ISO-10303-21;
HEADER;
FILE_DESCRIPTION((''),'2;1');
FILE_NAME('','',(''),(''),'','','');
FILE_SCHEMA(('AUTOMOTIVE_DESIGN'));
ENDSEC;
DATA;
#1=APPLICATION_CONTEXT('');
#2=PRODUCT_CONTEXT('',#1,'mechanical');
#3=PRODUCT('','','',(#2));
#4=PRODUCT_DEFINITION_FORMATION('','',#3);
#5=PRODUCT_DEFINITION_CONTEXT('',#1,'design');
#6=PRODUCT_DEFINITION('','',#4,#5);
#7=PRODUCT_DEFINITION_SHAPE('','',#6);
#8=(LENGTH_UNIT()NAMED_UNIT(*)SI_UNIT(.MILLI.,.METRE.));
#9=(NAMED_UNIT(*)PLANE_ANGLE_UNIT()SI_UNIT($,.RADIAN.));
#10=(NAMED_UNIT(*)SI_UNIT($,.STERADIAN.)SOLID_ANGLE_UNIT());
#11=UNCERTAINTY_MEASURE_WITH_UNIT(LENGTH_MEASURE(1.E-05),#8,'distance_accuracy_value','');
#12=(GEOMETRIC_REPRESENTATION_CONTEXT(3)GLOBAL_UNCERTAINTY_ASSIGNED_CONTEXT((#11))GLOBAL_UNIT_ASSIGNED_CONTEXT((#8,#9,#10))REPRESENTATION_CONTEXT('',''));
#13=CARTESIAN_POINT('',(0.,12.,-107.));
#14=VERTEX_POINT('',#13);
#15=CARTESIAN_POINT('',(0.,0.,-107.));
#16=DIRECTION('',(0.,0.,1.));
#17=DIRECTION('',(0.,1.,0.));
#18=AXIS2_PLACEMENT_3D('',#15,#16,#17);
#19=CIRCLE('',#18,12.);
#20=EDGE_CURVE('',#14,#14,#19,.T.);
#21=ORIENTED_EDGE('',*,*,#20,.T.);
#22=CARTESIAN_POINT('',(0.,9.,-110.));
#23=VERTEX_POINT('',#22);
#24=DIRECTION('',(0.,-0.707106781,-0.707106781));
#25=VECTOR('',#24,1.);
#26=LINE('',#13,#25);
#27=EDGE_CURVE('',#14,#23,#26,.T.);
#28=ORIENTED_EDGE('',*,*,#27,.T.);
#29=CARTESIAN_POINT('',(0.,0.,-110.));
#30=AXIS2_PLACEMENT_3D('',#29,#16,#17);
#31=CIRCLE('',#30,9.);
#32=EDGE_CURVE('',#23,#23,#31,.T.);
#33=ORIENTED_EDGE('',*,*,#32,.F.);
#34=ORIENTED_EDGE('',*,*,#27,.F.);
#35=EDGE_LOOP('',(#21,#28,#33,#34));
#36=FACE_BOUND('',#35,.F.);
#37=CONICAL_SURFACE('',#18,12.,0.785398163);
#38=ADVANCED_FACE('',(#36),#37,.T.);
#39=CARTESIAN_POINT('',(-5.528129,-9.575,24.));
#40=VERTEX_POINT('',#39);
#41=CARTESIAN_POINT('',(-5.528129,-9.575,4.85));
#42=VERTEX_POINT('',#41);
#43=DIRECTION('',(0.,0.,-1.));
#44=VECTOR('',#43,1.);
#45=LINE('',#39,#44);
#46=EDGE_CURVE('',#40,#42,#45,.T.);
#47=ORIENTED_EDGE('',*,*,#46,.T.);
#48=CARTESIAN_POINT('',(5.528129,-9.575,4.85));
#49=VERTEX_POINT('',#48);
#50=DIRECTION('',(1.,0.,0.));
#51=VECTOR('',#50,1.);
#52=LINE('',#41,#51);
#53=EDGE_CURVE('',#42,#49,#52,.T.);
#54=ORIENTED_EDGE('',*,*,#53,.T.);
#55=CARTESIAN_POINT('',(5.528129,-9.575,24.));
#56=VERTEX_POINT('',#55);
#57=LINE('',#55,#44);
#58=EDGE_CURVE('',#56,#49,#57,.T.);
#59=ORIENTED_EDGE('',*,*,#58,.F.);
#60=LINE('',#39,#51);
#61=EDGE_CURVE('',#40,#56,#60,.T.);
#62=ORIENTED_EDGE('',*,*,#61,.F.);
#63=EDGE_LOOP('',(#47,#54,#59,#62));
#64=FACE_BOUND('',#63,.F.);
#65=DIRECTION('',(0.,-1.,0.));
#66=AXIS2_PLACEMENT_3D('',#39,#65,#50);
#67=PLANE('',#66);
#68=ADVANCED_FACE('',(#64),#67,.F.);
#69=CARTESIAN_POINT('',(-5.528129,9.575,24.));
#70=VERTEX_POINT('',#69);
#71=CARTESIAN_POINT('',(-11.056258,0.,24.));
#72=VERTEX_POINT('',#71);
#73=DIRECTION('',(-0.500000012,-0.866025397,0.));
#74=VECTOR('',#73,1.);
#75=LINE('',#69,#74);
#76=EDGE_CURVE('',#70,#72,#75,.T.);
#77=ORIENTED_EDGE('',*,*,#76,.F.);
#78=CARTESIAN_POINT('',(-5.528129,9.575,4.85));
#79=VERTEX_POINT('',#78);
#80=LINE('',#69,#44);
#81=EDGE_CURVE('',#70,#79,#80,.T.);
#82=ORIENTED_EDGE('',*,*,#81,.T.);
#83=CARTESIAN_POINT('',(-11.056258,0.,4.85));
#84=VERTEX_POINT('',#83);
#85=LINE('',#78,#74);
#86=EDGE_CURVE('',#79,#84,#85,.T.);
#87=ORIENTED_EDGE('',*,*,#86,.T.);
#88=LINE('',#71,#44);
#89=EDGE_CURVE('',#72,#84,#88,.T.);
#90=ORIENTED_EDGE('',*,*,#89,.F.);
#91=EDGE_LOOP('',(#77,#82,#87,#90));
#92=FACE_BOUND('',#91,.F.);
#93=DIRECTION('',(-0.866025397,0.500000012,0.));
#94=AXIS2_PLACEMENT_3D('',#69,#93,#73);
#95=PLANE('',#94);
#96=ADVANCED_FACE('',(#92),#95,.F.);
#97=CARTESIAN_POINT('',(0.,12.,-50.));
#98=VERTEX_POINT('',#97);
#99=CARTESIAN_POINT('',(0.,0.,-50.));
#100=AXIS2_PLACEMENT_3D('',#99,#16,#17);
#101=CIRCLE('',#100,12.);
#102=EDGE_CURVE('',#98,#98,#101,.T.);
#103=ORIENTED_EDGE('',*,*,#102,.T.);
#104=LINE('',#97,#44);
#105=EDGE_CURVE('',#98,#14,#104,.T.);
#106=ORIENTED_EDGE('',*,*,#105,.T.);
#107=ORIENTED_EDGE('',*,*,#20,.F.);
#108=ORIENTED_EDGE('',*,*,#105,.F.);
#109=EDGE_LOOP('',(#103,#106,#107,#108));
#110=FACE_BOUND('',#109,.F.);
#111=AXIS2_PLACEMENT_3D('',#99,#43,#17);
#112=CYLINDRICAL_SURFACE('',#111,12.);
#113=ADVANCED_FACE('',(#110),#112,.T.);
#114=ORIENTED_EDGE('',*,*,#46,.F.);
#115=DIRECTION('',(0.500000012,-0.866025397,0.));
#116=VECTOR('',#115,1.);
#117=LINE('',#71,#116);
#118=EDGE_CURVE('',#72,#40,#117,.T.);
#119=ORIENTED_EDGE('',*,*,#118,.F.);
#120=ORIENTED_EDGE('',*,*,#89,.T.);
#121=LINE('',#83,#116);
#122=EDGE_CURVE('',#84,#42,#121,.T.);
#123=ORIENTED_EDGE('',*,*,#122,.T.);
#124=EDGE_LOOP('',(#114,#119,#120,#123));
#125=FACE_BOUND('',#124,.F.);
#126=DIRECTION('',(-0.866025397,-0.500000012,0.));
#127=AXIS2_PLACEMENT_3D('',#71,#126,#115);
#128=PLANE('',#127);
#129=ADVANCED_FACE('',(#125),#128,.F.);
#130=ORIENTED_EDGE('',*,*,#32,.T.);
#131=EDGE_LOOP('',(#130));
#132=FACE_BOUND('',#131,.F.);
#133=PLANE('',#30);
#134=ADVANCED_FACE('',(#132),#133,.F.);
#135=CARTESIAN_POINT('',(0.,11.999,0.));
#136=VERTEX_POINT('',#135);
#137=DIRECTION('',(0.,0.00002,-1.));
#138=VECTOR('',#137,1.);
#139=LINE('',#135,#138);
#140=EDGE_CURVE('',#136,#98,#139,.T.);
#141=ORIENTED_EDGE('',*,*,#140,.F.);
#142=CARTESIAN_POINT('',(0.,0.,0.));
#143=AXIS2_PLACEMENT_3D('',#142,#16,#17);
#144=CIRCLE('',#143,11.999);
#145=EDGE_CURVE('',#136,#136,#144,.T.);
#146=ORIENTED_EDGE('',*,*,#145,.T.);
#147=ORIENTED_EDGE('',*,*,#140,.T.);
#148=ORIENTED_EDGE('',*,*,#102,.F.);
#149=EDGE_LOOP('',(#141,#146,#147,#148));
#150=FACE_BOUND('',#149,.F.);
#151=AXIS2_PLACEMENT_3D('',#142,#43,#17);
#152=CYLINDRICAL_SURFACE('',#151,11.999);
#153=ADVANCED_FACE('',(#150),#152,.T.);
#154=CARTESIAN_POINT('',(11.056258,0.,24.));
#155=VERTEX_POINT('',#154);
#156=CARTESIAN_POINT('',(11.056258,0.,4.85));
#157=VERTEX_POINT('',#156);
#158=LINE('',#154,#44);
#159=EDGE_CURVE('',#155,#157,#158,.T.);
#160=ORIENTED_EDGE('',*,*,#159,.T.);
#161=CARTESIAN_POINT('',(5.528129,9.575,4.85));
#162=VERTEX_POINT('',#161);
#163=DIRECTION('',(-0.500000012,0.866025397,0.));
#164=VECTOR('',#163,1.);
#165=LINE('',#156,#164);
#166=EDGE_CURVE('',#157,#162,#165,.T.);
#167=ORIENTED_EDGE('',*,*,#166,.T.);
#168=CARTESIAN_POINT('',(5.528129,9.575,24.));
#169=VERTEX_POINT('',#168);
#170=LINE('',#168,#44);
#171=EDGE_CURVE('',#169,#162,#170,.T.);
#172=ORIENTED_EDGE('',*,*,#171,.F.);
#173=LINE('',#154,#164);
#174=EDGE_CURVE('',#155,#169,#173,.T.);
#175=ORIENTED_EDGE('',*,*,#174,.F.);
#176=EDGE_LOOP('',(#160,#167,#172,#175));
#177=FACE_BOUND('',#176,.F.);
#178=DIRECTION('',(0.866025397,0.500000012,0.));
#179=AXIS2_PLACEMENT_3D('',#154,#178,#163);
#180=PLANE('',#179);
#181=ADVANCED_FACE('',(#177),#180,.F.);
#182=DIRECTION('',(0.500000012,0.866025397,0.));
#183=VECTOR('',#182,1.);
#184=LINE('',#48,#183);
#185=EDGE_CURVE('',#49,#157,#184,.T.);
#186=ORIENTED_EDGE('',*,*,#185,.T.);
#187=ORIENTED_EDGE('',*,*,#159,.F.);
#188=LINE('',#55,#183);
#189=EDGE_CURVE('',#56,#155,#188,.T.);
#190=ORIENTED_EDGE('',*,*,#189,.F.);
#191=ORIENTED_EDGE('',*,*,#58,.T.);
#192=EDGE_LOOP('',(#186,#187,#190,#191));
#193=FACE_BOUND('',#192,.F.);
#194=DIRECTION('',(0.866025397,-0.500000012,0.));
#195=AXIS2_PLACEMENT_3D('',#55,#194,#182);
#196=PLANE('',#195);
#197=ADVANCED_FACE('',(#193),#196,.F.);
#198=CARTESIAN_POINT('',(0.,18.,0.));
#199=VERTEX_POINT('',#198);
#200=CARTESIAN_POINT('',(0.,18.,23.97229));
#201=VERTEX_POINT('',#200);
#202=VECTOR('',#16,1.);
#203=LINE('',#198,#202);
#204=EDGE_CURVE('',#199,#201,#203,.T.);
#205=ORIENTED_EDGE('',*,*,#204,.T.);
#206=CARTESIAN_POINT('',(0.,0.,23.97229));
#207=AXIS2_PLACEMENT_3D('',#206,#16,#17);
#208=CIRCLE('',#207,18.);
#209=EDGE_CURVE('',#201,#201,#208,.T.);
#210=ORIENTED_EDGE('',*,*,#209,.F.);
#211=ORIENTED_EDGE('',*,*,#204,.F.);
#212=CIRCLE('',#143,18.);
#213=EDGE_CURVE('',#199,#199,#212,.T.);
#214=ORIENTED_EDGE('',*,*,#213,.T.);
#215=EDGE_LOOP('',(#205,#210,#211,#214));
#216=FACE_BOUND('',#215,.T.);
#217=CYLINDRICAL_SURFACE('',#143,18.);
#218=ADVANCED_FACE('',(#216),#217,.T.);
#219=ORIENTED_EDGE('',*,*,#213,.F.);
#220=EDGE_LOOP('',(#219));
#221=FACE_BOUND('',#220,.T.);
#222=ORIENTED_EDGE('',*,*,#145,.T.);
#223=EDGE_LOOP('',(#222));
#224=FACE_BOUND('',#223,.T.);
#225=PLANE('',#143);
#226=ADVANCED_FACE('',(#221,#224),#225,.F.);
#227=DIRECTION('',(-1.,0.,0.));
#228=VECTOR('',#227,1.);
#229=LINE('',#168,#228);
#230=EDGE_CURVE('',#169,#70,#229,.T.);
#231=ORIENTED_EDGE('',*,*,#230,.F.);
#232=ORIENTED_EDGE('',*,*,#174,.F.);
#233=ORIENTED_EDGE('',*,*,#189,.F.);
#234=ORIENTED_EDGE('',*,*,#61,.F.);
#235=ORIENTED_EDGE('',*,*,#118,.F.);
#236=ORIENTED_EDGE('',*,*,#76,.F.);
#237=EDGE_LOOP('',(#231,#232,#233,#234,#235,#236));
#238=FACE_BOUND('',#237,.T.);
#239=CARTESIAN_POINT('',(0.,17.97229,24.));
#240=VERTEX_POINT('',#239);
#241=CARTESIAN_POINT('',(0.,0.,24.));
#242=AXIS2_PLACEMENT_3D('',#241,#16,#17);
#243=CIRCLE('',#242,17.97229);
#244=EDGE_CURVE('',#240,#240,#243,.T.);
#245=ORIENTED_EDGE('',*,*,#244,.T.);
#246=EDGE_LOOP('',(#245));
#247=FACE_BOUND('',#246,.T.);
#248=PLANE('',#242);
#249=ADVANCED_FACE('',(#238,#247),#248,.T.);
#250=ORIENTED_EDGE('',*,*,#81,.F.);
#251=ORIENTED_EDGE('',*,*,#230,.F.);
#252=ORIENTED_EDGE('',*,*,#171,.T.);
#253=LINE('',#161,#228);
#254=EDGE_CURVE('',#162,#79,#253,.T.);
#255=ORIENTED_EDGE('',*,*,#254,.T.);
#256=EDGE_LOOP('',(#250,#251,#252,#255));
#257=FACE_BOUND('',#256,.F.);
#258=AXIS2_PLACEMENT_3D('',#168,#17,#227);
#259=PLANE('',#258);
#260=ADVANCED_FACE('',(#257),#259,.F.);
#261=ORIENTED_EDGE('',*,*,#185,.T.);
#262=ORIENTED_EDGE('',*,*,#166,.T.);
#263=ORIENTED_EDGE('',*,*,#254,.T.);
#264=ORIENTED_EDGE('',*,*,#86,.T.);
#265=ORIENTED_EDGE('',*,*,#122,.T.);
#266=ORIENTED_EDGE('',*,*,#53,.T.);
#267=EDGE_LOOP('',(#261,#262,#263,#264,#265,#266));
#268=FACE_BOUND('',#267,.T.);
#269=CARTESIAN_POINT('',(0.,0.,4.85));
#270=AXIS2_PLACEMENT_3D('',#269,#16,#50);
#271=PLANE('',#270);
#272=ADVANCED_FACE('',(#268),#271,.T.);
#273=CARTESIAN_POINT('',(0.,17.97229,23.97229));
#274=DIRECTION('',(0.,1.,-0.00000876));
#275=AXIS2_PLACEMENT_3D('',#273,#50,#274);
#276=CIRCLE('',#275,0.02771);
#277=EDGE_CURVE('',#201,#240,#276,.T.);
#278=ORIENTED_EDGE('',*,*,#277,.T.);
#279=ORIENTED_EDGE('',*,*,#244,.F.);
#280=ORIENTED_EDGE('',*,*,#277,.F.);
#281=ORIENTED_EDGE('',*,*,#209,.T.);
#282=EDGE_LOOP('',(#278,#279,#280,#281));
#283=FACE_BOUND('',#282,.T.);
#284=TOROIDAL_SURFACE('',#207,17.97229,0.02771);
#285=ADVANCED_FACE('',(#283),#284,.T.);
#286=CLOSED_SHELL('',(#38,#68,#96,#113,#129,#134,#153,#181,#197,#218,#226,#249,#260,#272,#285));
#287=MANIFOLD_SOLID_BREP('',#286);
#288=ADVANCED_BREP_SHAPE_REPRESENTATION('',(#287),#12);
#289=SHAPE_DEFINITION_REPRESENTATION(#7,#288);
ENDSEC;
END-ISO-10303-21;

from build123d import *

# Parameters (mm, degrees)
POCKET_DEPTH = 19.15


with BuildPart() as part:
    # Sketch → Revolve (revolve)
    with BuildSketch(Plane.YZ):
        with BuildLine():
            Line((11.999, 0), (18, 0))
            Line((18, 0), (18, 23.97229))
            ThreePointArc((18, 23.97229), (17.991884, 23.991884), (17.97229, 24))
            Line((17.97229, 24), (0, 24))
            Line((0, -110), (0, 24))
            Line((9, -110), (0, -110))
            Line((12, -107), (9, -110))
            Line((12, -50), (12, -107))
            Line((11.999, 0), (12, -50))
        make_face()
    revolve(axis=Axis((0, 0, 0), (0, 0, 1)))

    # Sketch001 → Pocket (cut)
    with BuildSketch(Plane.XY.offset(24)):
        Polygon((11.056258, 0), (5.528129, 9.575), (-5.528129, 9.575), (-11.056258, 0), (-5.528129, -9.575), (5.528129, -9.575), align=None)
    extrude(amount=-POCKET_DEPTH, mode=Mode.SUBTRACT)


solid = part.part
